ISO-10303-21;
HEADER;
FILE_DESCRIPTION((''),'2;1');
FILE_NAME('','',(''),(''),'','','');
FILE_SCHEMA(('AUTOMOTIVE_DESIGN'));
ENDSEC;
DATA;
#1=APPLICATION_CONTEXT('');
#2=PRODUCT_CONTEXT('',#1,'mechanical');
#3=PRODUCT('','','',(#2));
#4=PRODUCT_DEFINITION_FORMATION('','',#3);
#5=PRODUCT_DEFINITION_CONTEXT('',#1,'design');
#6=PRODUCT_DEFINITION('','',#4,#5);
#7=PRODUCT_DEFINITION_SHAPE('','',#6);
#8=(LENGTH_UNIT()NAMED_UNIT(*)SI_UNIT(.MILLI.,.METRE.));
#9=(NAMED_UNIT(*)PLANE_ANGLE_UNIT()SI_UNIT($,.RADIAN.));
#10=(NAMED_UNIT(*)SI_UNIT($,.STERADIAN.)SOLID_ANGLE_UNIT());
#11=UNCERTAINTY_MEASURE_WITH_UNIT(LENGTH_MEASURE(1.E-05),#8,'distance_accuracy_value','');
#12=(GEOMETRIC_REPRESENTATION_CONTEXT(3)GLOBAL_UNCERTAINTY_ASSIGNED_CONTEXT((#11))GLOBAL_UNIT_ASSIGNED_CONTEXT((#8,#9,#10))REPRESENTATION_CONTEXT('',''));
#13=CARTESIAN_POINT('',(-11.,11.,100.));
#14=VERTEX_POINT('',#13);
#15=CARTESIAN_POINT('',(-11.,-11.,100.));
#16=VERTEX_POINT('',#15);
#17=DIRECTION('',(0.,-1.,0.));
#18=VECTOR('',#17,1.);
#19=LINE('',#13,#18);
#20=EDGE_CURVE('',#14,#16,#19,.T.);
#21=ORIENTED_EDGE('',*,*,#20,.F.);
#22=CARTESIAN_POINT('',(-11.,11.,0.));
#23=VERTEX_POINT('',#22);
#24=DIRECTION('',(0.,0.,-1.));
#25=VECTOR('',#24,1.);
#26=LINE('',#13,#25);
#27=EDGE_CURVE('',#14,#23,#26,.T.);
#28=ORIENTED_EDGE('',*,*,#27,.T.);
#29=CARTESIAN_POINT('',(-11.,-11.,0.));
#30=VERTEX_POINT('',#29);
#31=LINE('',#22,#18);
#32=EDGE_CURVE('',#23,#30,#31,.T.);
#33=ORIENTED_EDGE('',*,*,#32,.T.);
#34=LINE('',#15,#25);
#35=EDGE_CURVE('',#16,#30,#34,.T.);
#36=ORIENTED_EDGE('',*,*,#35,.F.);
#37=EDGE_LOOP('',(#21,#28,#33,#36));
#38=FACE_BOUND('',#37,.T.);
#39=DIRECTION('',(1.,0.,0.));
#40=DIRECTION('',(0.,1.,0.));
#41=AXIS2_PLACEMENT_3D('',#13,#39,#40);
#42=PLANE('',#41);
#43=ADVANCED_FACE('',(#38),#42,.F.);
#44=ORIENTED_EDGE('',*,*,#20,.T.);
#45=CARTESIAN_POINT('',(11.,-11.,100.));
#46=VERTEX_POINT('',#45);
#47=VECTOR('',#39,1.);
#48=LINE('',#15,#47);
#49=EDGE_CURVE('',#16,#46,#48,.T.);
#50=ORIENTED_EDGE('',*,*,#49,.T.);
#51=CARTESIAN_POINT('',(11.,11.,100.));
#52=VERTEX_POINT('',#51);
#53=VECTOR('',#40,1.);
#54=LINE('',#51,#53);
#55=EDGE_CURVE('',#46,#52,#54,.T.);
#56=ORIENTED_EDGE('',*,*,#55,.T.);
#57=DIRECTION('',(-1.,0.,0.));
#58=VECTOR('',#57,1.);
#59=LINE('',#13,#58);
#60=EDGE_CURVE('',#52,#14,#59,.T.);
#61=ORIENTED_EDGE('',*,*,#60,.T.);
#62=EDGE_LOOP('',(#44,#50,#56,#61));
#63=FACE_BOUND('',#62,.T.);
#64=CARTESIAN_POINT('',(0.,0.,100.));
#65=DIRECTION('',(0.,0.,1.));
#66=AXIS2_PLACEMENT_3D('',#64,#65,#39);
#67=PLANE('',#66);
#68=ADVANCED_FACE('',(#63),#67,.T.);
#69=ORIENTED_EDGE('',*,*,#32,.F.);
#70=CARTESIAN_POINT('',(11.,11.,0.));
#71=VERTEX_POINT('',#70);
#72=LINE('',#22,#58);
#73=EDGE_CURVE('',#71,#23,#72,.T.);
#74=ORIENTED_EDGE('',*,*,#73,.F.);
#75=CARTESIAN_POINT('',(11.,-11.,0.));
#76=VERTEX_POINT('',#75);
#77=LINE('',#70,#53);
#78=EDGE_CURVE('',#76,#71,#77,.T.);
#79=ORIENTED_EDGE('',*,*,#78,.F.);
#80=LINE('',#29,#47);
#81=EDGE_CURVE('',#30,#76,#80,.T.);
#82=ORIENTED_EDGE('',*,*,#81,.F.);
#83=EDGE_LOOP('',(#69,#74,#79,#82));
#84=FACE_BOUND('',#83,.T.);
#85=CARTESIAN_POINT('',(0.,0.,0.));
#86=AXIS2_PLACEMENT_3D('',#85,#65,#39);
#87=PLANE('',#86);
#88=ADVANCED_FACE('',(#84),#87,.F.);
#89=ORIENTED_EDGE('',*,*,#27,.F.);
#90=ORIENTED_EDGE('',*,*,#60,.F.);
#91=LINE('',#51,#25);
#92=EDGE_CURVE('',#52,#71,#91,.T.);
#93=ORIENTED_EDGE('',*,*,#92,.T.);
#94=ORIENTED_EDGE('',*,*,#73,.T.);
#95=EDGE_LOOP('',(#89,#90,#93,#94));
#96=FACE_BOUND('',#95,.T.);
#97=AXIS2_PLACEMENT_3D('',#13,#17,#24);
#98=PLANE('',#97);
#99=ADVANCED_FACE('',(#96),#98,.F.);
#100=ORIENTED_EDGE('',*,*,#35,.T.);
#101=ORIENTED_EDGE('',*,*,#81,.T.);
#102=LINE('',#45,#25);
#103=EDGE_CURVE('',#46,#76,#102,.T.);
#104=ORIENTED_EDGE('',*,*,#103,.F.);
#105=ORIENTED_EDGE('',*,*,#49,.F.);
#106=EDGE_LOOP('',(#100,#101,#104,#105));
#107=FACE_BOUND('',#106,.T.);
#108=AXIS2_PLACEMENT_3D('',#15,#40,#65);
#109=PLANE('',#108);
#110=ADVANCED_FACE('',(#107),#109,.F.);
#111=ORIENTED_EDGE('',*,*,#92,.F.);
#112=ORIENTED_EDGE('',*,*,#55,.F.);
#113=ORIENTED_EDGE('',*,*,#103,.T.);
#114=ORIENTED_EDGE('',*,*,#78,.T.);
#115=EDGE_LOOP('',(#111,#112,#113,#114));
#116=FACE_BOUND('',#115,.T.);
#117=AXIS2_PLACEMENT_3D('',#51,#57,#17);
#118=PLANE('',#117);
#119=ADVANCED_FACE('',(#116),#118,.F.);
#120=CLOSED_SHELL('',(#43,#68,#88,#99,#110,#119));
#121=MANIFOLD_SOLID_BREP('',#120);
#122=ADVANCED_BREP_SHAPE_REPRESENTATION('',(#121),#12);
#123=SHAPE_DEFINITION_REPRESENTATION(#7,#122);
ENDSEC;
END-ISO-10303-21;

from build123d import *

# Parameters (mm, degrees)
ESQUISSE1_W        = 22
ESQUISSE1_H        = 22
BOSS_EXTRU_1_DEPTH = 100


with BuildPart() as part:
    # Esquisse1 → Boss.-Extru.1 (new body)
    with BuildSketch(Plane.XY):
        Rectangle(ESQUISSE1_W, ESQUISSE1_H)
    extrude(amount=BOSS_EXTRU_1_DEPTH)


solid = part.part
